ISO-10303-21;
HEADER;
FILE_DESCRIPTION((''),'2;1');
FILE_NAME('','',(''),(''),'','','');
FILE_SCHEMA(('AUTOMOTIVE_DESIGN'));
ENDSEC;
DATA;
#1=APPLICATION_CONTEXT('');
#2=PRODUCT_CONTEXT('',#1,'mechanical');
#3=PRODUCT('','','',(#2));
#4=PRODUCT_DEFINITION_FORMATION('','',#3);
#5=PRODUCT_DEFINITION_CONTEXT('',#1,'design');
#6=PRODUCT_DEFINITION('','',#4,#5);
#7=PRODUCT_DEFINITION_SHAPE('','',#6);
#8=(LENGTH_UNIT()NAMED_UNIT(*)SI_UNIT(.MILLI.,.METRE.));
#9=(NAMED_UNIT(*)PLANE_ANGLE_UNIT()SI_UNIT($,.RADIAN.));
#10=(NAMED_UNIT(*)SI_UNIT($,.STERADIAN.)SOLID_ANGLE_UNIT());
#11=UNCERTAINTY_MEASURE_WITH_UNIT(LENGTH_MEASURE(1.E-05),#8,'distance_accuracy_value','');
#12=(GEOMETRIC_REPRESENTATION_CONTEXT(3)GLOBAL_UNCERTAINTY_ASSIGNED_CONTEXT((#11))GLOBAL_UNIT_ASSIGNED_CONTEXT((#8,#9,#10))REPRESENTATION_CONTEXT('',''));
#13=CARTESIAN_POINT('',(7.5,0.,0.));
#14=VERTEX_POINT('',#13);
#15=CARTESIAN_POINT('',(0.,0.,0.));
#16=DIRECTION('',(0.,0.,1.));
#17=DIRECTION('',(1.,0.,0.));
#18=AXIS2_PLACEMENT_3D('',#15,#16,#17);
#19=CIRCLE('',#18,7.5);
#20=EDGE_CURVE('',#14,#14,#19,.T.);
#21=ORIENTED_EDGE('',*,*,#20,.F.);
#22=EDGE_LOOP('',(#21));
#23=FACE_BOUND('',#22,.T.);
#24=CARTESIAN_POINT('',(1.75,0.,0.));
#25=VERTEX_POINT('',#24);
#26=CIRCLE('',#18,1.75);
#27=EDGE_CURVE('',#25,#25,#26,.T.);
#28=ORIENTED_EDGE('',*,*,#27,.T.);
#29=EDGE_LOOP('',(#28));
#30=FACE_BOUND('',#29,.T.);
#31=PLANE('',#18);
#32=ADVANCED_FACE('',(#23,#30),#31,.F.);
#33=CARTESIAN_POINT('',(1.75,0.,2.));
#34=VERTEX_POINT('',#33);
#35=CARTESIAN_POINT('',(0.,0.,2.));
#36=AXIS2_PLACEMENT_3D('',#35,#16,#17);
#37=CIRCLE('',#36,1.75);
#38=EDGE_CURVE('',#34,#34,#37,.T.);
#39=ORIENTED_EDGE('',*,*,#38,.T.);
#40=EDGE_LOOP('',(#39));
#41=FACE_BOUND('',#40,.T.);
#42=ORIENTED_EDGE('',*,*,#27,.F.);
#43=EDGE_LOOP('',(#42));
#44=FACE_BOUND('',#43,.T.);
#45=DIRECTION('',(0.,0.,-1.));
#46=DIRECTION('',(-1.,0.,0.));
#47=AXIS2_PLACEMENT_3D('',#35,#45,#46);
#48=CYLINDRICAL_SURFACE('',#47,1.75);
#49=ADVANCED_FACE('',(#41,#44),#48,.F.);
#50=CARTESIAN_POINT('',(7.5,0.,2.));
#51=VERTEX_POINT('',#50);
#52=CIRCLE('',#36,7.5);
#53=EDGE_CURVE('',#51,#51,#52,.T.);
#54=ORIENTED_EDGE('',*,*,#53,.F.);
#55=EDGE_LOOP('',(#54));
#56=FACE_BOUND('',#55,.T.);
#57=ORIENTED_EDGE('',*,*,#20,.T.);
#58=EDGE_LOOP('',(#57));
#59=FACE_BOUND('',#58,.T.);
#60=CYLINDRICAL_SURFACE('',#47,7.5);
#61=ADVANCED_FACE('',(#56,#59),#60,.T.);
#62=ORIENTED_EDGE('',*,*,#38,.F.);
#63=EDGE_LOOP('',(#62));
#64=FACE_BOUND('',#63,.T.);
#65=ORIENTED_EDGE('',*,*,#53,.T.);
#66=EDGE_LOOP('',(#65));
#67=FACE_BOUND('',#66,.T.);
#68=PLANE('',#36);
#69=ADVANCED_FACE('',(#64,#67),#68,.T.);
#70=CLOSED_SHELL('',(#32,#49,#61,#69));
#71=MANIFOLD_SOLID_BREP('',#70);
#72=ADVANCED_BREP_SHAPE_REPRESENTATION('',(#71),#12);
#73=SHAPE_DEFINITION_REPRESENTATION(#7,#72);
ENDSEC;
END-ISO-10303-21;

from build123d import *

# Parameters (mm, degrees)
ESBO_O1_R                = 7.5
ESBO_O1_R_2              = 1.75
RESSALTO_EXTRUS_O1_DEPTH = 2


with BuildPart() as part:
    # Esboço1 → Ressalto-extrusão1 (new body)
    with BuildSketch(Plane.XY):
        Circle(ESBO_O1_R)
        Circle(ESBO_O1_R_2, mode=Mode.SUBTRACT)
    extrude(amount=RESSALTO_EXTRUS_O1_DEPTH)


solid = part.part
